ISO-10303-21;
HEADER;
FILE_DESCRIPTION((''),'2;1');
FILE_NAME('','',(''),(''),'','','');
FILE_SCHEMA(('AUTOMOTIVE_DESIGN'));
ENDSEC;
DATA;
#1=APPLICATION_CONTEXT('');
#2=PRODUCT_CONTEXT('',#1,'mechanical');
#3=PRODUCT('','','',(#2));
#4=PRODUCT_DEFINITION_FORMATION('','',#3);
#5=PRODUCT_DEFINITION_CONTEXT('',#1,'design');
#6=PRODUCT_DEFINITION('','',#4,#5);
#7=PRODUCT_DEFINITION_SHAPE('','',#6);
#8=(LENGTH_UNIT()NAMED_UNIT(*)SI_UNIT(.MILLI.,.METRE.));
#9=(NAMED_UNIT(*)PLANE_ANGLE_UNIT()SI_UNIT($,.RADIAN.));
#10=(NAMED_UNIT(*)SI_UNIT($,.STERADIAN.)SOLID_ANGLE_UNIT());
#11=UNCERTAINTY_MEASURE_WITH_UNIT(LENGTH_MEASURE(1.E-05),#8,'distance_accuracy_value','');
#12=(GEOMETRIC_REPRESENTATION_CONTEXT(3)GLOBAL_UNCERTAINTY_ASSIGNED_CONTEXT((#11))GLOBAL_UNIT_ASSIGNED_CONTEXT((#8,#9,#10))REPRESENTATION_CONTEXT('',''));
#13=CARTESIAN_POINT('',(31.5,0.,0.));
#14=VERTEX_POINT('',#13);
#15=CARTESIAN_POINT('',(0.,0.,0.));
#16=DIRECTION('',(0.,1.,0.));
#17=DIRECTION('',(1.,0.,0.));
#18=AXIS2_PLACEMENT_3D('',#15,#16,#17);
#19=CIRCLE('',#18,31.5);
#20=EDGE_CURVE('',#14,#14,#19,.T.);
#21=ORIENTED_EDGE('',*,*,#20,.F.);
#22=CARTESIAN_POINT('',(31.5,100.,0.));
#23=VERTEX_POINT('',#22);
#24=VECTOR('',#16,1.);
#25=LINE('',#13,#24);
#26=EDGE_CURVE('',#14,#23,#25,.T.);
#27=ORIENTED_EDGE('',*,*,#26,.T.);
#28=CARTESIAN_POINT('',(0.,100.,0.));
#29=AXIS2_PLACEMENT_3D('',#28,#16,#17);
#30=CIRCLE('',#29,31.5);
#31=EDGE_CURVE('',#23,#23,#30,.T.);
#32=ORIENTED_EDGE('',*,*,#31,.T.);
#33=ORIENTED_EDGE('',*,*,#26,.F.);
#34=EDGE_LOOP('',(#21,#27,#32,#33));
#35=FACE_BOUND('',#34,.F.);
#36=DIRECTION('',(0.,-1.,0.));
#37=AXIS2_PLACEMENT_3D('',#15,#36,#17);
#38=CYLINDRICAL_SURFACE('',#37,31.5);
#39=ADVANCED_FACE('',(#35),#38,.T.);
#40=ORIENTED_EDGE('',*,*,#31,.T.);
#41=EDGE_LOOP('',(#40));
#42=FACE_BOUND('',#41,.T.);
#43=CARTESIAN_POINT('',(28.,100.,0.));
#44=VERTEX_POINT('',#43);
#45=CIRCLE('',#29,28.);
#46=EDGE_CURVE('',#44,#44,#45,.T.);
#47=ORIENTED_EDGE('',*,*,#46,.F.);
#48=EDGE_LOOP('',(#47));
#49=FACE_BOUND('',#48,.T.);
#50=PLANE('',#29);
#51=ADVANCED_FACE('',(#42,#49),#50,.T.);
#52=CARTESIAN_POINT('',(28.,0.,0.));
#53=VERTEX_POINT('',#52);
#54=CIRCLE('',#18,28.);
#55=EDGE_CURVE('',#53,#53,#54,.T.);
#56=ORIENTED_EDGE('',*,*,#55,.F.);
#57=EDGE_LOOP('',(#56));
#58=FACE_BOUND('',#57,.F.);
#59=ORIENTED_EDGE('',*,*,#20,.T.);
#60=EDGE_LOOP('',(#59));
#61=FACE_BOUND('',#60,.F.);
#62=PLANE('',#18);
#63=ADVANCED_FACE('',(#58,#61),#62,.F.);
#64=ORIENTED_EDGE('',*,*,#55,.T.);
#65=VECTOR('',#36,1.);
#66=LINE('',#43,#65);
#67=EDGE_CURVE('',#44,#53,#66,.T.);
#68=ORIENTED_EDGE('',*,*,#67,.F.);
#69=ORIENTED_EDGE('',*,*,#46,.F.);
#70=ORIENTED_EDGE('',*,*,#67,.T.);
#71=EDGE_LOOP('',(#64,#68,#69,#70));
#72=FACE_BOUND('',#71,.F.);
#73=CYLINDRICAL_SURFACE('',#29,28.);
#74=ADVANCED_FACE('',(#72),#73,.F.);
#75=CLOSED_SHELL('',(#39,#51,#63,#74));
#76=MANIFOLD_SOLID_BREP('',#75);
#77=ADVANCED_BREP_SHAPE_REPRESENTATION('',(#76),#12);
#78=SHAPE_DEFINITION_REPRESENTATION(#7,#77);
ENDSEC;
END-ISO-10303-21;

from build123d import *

# Parameters (mm, degrees)
ESQUISSE1_R             = 31.5
BOSS_EXTRU_1_DEPTH      = 100
ENL_V_MAT_EXTRU_1_REACH = 102
ESQUISSE2_R             = 28


with BuildPart() as part:
    # Esquisse1 → Boss.-Extru.1 (new body)
    with BuildSketch(Plane(origin=(0, 0, 0), x_dir=(1, 0, 0), z_dir=(0, 1, 0))):
        Circle(ESQUISSE1_R)
    extrude(amount=BOSS_EXTRU_1_DEPTH)

    # Esquisse2 → Enlèv. mat.-Extru.1 (cut, up to next)
    with BuildSketch(Plane(origin=(0, 100, 0), x_dir=(1, 0, 0), z_dir=(0, 1, 0)), mode=Mode.PRIVATE) as enl_v_mat_extru_1_sk1:
        Circle(ESQUISSE2_R)
    enl_v_mat_extru_1_tool1 = extrude(enl_v_mat_extru_1_sk1.sketch, amount=-ENL_V_MAT_EXTRU_1_REACH, mode=Mode.PRIVATE) & part.part
    add(enl_v_mat_extru_1_tool1.solids().sort_by_distance((0, 100, 0))[0], mode=Mode.SUBTRACT)


solid = part.part
